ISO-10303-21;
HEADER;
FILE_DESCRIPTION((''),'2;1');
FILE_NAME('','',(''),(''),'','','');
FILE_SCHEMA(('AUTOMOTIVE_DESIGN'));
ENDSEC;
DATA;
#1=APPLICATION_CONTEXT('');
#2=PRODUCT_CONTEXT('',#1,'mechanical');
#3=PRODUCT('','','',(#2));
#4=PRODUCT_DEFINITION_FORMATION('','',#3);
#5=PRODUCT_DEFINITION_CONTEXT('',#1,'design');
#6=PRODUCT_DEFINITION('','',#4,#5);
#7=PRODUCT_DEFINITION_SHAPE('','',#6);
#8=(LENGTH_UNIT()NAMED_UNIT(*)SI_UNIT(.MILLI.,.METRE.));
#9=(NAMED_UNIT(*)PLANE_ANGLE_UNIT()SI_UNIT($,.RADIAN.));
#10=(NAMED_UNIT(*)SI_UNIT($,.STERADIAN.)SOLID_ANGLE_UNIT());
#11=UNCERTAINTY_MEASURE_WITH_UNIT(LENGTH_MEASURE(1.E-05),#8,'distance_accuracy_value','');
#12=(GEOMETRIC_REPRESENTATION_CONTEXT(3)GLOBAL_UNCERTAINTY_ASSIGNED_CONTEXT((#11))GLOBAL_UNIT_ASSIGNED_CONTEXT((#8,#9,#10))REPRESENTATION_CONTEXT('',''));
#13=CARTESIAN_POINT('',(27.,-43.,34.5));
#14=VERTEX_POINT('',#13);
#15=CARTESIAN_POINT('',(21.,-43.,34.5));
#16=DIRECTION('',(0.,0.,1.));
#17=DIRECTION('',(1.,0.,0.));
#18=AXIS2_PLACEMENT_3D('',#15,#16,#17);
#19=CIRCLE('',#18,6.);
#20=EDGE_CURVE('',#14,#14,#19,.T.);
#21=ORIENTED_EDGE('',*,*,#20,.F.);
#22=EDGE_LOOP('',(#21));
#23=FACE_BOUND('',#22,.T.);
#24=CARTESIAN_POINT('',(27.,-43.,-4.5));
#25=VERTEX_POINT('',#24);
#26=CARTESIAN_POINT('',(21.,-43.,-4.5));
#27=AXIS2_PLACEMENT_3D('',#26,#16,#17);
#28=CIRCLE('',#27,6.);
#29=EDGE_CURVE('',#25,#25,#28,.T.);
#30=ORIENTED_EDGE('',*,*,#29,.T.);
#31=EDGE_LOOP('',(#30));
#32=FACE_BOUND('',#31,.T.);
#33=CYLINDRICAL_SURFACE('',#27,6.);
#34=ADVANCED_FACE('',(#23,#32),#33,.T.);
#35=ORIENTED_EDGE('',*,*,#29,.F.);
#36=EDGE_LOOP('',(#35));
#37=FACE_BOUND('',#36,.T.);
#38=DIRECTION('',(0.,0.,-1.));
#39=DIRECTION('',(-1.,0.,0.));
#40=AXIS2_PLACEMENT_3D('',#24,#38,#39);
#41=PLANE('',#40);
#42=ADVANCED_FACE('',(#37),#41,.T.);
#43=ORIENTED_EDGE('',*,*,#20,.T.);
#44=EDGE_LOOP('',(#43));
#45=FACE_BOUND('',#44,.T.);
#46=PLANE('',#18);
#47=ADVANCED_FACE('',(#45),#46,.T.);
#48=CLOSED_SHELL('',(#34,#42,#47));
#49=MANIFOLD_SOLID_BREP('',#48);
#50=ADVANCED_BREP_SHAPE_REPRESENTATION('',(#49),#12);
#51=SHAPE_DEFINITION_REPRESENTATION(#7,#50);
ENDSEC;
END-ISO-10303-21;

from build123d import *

# Parameters (mm, degrees)
SKETCH1_W = 6
SKETCH1_H = 39


with BuildPart() as part:
    # Sketch1 → Revolve1 (revolve)
    with BuildSketch(Plane(origin=(0, -43, 0), x_dir=(1, 0, 0), z_dir=(0, 1, 0))):
        with Locations((24, -15)):
            Rectangle(SKETCH1_W, SKETCH1_H)
    revolve(axis=Axis((21, -43, -4.5), (0, 0, 1)))


solid = part.part
